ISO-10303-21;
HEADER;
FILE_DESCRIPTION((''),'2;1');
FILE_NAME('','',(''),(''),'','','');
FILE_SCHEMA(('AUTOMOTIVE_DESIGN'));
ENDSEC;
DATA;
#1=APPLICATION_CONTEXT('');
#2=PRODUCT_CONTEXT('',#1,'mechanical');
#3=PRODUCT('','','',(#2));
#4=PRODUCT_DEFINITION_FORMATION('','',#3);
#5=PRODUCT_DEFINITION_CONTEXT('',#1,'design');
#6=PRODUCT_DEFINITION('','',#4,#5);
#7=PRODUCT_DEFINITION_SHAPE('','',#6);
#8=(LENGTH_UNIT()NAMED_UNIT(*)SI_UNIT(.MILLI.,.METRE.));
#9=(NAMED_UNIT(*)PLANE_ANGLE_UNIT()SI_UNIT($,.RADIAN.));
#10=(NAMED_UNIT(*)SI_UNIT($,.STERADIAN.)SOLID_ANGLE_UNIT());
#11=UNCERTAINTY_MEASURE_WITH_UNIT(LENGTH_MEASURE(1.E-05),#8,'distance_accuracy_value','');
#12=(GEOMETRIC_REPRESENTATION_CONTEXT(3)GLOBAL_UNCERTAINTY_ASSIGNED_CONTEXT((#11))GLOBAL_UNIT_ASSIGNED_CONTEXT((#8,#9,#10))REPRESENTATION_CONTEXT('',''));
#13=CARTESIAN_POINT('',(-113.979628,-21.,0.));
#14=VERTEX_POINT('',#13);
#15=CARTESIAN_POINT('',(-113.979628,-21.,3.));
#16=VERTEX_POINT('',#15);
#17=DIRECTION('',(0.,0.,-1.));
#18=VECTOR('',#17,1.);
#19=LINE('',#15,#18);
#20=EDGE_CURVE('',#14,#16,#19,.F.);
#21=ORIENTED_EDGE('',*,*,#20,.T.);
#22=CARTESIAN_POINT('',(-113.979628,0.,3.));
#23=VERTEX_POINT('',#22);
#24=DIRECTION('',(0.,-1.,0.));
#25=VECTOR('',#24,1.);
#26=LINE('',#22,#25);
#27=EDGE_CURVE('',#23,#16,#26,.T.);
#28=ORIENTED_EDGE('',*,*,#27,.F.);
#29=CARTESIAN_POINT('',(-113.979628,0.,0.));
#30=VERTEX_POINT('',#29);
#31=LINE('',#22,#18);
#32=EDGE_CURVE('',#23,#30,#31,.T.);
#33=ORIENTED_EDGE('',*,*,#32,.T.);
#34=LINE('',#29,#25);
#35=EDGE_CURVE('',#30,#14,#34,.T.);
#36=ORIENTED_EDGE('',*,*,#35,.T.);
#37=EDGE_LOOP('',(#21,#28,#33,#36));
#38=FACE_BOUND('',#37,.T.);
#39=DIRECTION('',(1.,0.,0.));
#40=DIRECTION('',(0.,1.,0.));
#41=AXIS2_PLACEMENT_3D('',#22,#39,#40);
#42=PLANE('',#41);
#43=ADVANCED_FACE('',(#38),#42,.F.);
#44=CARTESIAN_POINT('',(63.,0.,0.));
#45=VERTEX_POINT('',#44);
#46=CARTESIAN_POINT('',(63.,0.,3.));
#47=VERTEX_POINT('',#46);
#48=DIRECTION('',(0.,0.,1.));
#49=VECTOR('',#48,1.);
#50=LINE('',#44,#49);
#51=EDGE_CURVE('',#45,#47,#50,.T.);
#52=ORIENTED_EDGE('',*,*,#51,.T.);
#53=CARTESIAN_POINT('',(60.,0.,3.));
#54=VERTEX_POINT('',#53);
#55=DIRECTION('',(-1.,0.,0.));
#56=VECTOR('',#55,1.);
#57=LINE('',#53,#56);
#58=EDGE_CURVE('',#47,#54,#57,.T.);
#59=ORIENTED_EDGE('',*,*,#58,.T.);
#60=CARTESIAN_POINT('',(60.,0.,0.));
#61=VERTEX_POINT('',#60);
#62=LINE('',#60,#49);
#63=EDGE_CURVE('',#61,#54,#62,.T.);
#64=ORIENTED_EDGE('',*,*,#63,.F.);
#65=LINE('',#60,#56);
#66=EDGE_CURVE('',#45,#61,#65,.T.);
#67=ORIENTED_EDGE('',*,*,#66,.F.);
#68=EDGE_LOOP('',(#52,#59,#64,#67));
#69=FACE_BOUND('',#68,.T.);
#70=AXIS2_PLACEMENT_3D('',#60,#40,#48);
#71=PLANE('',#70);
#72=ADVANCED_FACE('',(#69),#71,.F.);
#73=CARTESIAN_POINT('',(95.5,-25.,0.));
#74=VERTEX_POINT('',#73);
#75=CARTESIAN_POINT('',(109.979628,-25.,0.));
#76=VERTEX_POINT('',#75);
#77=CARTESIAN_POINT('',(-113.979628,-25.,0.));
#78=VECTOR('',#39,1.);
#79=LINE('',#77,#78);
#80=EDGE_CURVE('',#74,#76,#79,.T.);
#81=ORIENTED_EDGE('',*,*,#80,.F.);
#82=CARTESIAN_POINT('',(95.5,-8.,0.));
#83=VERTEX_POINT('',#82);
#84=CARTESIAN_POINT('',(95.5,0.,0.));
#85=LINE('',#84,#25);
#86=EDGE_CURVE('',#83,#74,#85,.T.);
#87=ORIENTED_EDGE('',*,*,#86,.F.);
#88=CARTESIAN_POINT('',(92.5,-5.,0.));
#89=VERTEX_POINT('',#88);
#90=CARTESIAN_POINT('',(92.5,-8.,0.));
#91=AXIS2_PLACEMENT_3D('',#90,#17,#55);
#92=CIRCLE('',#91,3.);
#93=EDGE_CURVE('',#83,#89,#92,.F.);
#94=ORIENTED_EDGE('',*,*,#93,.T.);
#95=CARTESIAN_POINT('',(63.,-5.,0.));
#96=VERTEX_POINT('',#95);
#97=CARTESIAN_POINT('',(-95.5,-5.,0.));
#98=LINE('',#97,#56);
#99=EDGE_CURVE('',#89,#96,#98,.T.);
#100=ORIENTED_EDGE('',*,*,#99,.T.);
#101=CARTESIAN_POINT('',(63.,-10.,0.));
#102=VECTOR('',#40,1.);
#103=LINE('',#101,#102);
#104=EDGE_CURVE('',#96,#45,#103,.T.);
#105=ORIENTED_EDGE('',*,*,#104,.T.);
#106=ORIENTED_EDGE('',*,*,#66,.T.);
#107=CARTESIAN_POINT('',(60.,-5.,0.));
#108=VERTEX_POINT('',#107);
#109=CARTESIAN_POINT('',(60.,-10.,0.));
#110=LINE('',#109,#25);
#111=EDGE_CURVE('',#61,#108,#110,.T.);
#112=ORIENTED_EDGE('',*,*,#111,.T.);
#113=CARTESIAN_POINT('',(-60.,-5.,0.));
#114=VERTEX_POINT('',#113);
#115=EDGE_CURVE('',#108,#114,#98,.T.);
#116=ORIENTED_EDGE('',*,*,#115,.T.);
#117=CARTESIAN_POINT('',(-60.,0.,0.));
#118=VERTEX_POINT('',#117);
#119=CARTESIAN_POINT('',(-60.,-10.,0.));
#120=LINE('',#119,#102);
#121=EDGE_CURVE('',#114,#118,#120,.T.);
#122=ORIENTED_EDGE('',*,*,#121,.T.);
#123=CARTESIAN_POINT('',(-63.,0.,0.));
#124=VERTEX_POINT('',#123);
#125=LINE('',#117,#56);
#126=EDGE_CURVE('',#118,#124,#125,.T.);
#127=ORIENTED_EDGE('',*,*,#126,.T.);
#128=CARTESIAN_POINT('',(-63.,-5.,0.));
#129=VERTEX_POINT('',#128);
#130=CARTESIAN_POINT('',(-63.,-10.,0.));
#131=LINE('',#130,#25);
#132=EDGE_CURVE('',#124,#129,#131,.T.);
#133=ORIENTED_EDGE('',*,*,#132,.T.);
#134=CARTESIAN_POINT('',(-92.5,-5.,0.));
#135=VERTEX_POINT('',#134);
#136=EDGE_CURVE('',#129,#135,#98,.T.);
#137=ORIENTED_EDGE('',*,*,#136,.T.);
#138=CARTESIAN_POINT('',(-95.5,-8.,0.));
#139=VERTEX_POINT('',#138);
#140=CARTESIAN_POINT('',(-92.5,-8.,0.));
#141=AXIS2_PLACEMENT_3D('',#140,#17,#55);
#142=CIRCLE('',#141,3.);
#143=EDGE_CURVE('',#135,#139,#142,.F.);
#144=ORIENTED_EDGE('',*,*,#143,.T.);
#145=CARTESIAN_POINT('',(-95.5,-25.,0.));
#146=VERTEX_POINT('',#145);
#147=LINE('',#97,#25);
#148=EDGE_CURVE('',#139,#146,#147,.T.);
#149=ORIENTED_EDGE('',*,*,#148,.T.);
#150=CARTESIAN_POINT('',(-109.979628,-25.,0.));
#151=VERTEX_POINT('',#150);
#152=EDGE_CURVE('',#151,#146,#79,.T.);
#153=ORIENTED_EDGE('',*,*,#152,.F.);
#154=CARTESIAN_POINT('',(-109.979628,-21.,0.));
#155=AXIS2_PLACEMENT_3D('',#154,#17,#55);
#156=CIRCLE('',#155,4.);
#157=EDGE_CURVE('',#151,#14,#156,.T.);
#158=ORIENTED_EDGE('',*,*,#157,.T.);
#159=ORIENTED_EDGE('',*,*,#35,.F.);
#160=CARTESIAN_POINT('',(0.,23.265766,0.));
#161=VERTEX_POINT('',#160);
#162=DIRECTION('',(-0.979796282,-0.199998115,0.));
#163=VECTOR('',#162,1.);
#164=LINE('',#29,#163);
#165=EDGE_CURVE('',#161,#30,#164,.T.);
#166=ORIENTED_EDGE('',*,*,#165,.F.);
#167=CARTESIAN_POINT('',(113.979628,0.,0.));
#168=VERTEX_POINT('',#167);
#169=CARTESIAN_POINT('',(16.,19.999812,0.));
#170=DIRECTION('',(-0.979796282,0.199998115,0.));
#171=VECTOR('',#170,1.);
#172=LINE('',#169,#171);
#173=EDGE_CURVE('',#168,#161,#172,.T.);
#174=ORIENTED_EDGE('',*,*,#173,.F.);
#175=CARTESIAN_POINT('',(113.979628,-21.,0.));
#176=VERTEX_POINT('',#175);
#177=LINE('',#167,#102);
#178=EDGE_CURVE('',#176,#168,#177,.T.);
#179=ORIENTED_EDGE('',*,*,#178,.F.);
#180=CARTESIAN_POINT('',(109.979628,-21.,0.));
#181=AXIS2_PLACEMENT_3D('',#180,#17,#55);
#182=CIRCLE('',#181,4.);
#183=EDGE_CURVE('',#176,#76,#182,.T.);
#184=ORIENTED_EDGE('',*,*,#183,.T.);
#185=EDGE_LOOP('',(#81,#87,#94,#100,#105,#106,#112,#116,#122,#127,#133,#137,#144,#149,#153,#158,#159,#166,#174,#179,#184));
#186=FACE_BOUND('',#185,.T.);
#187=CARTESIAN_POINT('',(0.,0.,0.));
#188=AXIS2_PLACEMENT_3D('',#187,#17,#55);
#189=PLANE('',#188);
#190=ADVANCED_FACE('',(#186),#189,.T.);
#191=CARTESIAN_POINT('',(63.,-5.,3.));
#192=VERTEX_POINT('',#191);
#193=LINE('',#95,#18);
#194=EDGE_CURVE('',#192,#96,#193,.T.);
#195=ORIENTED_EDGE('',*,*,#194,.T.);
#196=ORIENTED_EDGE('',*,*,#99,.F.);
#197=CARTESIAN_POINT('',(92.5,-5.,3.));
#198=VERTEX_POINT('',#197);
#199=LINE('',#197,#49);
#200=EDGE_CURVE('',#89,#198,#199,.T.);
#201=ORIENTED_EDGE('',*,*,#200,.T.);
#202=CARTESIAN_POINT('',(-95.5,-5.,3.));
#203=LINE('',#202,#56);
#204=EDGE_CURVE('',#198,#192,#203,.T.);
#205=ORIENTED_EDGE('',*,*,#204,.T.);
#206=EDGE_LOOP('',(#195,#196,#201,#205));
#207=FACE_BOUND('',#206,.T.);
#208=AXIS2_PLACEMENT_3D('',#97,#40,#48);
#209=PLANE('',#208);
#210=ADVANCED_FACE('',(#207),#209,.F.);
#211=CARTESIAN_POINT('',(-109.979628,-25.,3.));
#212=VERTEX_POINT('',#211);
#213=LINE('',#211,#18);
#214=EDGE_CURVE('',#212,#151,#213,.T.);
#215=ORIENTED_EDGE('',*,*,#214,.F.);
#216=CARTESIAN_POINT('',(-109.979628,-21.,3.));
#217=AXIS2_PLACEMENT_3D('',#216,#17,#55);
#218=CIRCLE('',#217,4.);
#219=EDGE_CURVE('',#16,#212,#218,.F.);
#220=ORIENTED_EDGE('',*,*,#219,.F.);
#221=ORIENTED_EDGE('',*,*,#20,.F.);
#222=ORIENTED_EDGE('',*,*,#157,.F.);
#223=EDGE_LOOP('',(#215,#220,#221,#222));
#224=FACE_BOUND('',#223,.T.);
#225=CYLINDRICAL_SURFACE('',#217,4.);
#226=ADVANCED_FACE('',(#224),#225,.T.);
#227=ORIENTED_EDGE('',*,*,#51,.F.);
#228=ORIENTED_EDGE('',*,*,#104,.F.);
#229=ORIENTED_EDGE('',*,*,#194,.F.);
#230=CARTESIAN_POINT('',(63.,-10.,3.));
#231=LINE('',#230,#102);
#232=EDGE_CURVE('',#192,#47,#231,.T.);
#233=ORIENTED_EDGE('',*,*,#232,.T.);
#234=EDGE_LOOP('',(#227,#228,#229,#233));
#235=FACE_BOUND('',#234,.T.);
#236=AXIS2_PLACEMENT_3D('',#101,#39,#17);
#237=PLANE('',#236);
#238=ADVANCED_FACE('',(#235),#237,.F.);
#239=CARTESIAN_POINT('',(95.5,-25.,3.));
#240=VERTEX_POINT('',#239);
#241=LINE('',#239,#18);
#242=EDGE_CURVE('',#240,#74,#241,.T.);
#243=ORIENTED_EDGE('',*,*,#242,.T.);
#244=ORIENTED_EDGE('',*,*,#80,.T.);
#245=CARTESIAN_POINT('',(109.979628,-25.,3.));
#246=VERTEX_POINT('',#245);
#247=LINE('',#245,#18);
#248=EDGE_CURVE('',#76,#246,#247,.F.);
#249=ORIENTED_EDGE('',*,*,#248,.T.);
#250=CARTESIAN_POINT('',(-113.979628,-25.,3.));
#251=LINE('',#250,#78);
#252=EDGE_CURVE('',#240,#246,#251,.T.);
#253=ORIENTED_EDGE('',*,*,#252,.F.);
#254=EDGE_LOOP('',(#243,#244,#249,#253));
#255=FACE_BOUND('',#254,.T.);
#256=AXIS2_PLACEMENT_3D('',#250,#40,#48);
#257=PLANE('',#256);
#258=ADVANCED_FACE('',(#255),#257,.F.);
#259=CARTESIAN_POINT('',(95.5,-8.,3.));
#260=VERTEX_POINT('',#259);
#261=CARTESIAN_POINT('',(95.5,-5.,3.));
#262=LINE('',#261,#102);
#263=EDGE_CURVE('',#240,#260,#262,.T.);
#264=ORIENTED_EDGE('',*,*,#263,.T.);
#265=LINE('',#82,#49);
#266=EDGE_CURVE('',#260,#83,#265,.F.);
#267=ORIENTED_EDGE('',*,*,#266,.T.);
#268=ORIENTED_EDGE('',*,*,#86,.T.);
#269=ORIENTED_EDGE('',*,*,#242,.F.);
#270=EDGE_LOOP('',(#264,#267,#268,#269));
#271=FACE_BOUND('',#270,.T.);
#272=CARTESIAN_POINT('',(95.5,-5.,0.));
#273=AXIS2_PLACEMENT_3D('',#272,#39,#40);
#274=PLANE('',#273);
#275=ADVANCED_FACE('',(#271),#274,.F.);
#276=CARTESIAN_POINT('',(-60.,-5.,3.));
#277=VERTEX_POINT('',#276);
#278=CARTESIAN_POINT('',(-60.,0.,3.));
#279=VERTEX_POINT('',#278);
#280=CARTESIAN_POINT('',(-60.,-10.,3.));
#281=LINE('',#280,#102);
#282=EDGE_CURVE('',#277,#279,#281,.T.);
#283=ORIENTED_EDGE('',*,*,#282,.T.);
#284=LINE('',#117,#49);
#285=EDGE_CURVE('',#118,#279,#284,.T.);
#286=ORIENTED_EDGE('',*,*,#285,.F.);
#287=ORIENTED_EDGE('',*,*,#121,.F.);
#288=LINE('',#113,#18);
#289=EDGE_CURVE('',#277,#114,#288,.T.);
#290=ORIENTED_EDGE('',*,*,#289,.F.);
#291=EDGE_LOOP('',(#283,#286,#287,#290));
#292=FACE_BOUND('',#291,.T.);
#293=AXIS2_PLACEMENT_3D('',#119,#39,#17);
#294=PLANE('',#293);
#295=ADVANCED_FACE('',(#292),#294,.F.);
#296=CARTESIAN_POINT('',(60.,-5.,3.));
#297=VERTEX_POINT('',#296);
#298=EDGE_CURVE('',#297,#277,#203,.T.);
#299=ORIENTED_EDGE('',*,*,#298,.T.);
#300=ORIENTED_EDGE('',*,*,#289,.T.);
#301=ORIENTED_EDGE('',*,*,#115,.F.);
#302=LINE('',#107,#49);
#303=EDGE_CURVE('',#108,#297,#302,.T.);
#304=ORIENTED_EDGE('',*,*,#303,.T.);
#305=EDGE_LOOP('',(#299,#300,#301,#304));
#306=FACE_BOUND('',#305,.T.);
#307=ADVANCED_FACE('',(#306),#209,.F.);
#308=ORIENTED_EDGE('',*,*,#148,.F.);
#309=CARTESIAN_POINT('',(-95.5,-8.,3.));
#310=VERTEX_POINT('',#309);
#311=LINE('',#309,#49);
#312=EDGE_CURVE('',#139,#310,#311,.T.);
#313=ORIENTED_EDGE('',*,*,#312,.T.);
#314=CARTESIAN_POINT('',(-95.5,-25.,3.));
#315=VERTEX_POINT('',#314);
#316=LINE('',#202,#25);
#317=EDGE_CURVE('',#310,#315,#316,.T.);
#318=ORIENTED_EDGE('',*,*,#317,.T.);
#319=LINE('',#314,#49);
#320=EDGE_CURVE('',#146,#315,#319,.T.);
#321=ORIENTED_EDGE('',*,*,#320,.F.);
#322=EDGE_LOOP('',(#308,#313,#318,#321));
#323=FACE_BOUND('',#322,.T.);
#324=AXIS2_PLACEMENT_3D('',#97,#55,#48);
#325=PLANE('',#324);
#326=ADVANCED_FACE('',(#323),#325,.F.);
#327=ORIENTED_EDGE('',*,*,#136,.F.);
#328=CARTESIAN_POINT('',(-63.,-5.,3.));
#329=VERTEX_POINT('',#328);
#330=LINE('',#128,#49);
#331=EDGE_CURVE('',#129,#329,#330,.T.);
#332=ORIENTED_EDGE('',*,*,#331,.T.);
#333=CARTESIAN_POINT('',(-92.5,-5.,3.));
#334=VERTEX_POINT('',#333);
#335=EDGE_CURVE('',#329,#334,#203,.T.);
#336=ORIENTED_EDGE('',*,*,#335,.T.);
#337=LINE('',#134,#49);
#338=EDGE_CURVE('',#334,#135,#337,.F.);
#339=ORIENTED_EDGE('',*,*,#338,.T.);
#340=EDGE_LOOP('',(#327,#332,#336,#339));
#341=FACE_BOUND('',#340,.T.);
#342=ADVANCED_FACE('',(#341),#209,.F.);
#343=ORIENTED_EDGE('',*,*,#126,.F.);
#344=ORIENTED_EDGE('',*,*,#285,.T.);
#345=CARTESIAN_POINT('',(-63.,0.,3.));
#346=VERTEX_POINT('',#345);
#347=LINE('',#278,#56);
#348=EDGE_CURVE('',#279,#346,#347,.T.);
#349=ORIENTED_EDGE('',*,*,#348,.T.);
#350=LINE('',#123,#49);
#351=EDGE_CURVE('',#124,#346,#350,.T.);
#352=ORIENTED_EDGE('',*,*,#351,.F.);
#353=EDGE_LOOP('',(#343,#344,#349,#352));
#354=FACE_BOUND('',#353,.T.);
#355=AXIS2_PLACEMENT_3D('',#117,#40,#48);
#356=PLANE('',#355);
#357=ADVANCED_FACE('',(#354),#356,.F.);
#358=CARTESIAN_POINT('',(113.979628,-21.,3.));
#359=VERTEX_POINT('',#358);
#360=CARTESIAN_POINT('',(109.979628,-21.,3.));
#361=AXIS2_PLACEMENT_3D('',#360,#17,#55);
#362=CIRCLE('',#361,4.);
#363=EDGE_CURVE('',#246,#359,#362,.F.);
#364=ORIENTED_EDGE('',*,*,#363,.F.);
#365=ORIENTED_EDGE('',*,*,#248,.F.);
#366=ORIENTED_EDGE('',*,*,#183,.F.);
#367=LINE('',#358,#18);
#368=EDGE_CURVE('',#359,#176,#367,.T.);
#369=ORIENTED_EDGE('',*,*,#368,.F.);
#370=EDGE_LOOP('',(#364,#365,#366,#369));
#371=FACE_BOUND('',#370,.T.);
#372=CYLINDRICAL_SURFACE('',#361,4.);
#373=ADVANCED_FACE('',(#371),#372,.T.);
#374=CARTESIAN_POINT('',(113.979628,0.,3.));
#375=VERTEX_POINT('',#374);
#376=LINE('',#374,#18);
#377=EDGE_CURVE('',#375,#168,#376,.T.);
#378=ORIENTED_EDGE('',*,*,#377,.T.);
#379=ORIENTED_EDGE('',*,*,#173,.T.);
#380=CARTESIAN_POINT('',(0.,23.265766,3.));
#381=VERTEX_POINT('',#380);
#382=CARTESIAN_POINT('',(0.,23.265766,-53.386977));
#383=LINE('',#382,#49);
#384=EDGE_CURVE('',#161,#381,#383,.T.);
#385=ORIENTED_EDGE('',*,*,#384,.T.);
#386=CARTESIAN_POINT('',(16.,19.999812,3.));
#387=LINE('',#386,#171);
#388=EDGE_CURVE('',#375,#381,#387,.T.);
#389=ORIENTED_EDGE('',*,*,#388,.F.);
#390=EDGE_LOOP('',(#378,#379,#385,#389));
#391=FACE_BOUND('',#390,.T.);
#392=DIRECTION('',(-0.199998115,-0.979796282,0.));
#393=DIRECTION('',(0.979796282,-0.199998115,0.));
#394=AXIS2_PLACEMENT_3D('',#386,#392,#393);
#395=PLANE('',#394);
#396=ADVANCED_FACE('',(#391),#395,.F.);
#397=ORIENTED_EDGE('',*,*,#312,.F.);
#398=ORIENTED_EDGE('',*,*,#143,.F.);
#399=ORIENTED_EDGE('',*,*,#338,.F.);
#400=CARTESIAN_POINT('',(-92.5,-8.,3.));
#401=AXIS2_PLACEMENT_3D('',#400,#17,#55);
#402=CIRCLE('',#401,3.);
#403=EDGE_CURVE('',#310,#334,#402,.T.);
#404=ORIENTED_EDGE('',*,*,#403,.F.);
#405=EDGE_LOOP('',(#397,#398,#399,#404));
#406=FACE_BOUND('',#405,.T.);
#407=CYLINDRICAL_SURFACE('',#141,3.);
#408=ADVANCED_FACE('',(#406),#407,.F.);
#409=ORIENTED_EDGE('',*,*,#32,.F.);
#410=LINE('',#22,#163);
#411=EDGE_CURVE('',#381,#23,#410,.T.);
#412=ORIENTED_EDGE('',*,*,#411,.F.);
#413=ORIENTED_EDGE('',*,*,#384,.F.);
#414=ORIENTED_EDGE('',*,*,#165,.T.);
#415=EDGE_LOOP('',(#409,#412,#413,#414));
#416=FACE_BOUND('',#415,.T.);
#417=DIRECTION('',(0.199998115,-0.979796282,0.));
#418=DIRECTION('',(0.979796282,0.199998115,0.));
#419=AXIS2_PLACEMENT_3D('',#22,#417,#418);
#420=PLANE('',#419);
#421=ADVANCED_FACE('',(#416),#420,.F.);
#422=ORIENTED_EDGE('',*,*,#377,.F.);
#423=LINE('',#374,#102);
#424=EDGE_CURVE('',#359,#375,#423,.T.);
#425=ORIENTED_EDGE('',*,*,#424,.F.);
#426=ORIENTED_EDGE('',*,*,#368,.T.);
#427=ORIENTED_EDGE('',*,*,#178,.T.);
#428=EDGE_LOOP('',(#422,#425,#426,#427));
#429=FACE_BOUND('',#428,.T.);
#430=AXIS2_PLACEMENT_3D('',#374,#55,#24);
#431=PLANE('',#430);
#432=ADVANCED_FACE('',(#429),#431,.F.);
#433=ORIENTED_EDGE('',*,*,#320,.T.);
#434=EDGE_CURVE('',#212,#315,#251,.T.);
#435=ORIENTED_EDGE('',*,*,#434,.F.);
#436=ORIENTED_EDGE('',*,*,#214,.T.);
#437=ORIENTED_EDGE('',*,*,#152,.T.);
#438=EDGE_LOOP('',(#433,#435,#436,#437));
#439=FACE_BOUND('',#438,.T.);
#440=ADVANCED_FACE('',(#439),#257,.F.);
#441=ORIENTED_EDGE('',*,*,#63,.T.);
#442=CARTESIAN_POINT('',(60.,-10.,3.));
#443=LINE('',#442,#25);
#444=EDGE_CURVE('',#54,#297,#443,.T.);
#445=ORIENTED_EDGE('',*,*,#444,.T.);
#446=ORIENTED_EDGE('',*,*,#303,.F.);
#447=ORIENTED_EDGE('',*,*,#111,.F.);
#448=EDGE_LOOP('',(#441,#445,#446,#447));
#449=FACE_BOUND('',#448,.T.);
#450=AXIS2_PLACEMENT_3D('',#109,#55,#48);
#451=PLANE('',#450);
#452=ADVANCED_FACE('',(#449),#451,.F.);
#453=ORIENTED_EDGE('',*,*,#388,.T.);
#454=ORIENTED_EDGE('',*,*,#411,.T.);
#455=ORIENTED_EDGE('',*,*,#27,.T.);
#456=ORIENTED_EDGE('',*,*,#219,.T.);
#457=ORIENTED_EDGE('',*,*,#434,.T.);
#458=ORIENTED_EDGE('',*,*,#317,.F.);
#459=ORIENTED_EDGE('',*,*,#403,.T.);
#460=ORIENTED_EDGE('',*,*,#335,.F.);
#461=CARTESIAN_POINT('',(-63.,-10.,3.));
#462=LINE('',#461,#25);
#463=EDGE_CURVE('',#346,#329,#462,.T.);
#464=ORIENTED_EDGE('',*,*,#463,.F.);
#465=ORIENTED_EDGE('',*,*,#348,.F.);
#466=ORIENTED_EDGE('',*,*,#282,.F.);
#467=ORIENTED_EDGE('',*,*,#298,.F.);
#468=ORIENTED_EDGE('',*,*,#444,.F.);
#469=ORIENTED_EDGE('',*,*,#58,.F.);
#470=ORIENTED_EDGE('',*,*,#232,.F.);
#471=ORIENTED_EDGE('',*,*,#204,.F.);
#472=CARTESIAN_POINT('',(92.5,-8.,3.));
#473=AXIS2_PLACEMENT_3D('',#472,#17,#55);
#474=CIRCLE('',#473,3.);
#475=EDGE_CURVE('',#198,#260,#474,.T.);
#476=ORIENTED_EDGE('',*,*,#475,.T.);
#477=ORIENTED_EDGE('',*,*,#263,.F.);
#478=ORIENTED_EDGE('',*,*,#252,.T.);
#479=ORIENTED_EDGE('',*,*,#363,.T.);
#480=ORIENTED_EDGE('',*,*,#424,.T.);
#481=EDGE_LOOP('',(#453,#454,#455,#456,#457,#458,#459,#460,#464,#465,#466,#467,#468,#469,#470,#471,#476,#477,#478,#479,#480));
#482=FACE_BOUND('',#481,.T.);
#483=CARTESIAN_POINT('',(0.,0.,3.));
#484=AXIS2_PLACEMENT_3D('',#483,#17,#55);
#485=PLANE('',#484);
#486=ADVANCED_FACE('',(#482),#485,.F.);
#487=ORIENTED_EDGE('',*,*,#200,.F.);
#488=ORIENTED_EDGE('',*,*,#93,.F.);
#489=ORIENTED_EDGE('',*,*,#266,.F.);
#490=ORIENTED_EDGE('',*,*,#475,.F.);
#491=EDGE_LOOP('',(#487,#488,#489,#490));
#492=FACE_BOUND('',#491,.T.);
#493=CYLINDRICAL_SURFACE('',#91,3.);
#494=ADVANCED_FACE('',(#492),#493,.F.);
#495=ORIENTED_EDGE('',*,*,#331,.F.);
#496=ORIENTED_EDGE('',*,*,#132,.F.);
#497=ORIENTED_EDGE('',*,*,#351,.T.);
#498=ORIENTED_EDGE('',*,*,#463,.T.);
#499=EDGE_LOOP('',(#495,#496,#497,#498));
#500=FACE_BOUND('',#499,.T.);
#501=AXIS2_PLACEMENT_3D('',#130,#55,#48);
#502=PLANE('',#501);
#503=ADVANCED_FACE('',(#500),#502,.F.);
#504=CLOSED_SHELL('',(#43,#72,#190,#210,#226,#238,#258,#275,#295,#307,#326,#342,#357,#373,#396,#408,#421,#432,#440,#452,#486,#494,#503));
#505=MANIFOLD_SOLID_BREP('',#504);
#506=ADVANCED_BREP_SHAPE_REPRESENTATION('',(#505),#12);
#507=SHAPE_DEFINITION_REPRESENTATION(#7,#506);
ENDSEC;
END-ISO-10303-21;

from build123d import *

# Parameters (mm, degrees)
BOSS_EXTRUDE1_DEPTH = 3
SKETCH2_W           = 191
SKETCH2_H           = 40
CUT_EXTRUDE1_DEPTH  = 4
FILLET1_R           = 3
SKETCH3_W           = 3
SKETCH3_H           = 10
CUT_EXTRUDE2_DEPTH  = 4
FILLET2_R           = 4
BOSS_EXTRUDE2_DEPTH = 3


with BuildPart() as part:
    # Sketch1 → Boss-Extrude1 (new body)
    with BuildSketch(Plane.XY):
        Polygon((-16, 19.999811529), (16, 19.999811529), (113.979628183, 0), (113.979628183, -25), (-113.979628183, -25), (-113.979628183, 0), align=None)
    extrude(amount=BOSS_EXTRUDE1_DEPTH)

    # Sketch2 → Cut-Extrude1 (cut, through all)
    with BuildSketch(Plane.XY.offset(3)):
        with Locations((0, -25)):
            Rectangle(SKETCH2_W, SKETCH2_H)
    extrude(amount=-CUT_EXTRUDE1_DEPTH, mode=Mode.SUBTRACT)

    # Fillet1
    fillet1_edges = [part.edges().sort_by_distance(p)[0] for p in [
        (95.5, -5, 1.5),
        (-95.5, -5, 1.5),
    ]]
    fillet(fillet1_edges, radius=FILLET1_R)

    # Sketch3 → Cut-Extrude2 (cut, through all)
    with BuildSketch(Plane.XY.offset(3)):
        with Locations((-61.5, -5)):
            Rectangle(SKETCH3_W, SKETCH3_H)
        with Locations((61.5, -5)):
            Rectangle(SKETCH3_W, SKETCH3_H)
    extrude(amount=-CUT_EXTRUDE2_DEPTH, mode=Mode.SUBTRACT)

    # Fillet2
    fillet2_edges = [part.edges().sort_by_distance(p)[0] for p in [
        (113.979628183, -25, 1.5),
        (-113.979628183, -25, 1.5),
    ]]
    fillet(fillet2_edges, radius=FILLET2_R)

    # Sketch4 → Boss-Extrude2 (add)
    with BuildSketch(Plane.XY.offset(3)):
        Polygon((-26.29440044, 17.898496465), (0, 23.265765793), (26.811324143, 17.792980892), align=None)
    extrude(amount=-BOSS_EXTRUDE2_DEPTH)


solid = part.part
